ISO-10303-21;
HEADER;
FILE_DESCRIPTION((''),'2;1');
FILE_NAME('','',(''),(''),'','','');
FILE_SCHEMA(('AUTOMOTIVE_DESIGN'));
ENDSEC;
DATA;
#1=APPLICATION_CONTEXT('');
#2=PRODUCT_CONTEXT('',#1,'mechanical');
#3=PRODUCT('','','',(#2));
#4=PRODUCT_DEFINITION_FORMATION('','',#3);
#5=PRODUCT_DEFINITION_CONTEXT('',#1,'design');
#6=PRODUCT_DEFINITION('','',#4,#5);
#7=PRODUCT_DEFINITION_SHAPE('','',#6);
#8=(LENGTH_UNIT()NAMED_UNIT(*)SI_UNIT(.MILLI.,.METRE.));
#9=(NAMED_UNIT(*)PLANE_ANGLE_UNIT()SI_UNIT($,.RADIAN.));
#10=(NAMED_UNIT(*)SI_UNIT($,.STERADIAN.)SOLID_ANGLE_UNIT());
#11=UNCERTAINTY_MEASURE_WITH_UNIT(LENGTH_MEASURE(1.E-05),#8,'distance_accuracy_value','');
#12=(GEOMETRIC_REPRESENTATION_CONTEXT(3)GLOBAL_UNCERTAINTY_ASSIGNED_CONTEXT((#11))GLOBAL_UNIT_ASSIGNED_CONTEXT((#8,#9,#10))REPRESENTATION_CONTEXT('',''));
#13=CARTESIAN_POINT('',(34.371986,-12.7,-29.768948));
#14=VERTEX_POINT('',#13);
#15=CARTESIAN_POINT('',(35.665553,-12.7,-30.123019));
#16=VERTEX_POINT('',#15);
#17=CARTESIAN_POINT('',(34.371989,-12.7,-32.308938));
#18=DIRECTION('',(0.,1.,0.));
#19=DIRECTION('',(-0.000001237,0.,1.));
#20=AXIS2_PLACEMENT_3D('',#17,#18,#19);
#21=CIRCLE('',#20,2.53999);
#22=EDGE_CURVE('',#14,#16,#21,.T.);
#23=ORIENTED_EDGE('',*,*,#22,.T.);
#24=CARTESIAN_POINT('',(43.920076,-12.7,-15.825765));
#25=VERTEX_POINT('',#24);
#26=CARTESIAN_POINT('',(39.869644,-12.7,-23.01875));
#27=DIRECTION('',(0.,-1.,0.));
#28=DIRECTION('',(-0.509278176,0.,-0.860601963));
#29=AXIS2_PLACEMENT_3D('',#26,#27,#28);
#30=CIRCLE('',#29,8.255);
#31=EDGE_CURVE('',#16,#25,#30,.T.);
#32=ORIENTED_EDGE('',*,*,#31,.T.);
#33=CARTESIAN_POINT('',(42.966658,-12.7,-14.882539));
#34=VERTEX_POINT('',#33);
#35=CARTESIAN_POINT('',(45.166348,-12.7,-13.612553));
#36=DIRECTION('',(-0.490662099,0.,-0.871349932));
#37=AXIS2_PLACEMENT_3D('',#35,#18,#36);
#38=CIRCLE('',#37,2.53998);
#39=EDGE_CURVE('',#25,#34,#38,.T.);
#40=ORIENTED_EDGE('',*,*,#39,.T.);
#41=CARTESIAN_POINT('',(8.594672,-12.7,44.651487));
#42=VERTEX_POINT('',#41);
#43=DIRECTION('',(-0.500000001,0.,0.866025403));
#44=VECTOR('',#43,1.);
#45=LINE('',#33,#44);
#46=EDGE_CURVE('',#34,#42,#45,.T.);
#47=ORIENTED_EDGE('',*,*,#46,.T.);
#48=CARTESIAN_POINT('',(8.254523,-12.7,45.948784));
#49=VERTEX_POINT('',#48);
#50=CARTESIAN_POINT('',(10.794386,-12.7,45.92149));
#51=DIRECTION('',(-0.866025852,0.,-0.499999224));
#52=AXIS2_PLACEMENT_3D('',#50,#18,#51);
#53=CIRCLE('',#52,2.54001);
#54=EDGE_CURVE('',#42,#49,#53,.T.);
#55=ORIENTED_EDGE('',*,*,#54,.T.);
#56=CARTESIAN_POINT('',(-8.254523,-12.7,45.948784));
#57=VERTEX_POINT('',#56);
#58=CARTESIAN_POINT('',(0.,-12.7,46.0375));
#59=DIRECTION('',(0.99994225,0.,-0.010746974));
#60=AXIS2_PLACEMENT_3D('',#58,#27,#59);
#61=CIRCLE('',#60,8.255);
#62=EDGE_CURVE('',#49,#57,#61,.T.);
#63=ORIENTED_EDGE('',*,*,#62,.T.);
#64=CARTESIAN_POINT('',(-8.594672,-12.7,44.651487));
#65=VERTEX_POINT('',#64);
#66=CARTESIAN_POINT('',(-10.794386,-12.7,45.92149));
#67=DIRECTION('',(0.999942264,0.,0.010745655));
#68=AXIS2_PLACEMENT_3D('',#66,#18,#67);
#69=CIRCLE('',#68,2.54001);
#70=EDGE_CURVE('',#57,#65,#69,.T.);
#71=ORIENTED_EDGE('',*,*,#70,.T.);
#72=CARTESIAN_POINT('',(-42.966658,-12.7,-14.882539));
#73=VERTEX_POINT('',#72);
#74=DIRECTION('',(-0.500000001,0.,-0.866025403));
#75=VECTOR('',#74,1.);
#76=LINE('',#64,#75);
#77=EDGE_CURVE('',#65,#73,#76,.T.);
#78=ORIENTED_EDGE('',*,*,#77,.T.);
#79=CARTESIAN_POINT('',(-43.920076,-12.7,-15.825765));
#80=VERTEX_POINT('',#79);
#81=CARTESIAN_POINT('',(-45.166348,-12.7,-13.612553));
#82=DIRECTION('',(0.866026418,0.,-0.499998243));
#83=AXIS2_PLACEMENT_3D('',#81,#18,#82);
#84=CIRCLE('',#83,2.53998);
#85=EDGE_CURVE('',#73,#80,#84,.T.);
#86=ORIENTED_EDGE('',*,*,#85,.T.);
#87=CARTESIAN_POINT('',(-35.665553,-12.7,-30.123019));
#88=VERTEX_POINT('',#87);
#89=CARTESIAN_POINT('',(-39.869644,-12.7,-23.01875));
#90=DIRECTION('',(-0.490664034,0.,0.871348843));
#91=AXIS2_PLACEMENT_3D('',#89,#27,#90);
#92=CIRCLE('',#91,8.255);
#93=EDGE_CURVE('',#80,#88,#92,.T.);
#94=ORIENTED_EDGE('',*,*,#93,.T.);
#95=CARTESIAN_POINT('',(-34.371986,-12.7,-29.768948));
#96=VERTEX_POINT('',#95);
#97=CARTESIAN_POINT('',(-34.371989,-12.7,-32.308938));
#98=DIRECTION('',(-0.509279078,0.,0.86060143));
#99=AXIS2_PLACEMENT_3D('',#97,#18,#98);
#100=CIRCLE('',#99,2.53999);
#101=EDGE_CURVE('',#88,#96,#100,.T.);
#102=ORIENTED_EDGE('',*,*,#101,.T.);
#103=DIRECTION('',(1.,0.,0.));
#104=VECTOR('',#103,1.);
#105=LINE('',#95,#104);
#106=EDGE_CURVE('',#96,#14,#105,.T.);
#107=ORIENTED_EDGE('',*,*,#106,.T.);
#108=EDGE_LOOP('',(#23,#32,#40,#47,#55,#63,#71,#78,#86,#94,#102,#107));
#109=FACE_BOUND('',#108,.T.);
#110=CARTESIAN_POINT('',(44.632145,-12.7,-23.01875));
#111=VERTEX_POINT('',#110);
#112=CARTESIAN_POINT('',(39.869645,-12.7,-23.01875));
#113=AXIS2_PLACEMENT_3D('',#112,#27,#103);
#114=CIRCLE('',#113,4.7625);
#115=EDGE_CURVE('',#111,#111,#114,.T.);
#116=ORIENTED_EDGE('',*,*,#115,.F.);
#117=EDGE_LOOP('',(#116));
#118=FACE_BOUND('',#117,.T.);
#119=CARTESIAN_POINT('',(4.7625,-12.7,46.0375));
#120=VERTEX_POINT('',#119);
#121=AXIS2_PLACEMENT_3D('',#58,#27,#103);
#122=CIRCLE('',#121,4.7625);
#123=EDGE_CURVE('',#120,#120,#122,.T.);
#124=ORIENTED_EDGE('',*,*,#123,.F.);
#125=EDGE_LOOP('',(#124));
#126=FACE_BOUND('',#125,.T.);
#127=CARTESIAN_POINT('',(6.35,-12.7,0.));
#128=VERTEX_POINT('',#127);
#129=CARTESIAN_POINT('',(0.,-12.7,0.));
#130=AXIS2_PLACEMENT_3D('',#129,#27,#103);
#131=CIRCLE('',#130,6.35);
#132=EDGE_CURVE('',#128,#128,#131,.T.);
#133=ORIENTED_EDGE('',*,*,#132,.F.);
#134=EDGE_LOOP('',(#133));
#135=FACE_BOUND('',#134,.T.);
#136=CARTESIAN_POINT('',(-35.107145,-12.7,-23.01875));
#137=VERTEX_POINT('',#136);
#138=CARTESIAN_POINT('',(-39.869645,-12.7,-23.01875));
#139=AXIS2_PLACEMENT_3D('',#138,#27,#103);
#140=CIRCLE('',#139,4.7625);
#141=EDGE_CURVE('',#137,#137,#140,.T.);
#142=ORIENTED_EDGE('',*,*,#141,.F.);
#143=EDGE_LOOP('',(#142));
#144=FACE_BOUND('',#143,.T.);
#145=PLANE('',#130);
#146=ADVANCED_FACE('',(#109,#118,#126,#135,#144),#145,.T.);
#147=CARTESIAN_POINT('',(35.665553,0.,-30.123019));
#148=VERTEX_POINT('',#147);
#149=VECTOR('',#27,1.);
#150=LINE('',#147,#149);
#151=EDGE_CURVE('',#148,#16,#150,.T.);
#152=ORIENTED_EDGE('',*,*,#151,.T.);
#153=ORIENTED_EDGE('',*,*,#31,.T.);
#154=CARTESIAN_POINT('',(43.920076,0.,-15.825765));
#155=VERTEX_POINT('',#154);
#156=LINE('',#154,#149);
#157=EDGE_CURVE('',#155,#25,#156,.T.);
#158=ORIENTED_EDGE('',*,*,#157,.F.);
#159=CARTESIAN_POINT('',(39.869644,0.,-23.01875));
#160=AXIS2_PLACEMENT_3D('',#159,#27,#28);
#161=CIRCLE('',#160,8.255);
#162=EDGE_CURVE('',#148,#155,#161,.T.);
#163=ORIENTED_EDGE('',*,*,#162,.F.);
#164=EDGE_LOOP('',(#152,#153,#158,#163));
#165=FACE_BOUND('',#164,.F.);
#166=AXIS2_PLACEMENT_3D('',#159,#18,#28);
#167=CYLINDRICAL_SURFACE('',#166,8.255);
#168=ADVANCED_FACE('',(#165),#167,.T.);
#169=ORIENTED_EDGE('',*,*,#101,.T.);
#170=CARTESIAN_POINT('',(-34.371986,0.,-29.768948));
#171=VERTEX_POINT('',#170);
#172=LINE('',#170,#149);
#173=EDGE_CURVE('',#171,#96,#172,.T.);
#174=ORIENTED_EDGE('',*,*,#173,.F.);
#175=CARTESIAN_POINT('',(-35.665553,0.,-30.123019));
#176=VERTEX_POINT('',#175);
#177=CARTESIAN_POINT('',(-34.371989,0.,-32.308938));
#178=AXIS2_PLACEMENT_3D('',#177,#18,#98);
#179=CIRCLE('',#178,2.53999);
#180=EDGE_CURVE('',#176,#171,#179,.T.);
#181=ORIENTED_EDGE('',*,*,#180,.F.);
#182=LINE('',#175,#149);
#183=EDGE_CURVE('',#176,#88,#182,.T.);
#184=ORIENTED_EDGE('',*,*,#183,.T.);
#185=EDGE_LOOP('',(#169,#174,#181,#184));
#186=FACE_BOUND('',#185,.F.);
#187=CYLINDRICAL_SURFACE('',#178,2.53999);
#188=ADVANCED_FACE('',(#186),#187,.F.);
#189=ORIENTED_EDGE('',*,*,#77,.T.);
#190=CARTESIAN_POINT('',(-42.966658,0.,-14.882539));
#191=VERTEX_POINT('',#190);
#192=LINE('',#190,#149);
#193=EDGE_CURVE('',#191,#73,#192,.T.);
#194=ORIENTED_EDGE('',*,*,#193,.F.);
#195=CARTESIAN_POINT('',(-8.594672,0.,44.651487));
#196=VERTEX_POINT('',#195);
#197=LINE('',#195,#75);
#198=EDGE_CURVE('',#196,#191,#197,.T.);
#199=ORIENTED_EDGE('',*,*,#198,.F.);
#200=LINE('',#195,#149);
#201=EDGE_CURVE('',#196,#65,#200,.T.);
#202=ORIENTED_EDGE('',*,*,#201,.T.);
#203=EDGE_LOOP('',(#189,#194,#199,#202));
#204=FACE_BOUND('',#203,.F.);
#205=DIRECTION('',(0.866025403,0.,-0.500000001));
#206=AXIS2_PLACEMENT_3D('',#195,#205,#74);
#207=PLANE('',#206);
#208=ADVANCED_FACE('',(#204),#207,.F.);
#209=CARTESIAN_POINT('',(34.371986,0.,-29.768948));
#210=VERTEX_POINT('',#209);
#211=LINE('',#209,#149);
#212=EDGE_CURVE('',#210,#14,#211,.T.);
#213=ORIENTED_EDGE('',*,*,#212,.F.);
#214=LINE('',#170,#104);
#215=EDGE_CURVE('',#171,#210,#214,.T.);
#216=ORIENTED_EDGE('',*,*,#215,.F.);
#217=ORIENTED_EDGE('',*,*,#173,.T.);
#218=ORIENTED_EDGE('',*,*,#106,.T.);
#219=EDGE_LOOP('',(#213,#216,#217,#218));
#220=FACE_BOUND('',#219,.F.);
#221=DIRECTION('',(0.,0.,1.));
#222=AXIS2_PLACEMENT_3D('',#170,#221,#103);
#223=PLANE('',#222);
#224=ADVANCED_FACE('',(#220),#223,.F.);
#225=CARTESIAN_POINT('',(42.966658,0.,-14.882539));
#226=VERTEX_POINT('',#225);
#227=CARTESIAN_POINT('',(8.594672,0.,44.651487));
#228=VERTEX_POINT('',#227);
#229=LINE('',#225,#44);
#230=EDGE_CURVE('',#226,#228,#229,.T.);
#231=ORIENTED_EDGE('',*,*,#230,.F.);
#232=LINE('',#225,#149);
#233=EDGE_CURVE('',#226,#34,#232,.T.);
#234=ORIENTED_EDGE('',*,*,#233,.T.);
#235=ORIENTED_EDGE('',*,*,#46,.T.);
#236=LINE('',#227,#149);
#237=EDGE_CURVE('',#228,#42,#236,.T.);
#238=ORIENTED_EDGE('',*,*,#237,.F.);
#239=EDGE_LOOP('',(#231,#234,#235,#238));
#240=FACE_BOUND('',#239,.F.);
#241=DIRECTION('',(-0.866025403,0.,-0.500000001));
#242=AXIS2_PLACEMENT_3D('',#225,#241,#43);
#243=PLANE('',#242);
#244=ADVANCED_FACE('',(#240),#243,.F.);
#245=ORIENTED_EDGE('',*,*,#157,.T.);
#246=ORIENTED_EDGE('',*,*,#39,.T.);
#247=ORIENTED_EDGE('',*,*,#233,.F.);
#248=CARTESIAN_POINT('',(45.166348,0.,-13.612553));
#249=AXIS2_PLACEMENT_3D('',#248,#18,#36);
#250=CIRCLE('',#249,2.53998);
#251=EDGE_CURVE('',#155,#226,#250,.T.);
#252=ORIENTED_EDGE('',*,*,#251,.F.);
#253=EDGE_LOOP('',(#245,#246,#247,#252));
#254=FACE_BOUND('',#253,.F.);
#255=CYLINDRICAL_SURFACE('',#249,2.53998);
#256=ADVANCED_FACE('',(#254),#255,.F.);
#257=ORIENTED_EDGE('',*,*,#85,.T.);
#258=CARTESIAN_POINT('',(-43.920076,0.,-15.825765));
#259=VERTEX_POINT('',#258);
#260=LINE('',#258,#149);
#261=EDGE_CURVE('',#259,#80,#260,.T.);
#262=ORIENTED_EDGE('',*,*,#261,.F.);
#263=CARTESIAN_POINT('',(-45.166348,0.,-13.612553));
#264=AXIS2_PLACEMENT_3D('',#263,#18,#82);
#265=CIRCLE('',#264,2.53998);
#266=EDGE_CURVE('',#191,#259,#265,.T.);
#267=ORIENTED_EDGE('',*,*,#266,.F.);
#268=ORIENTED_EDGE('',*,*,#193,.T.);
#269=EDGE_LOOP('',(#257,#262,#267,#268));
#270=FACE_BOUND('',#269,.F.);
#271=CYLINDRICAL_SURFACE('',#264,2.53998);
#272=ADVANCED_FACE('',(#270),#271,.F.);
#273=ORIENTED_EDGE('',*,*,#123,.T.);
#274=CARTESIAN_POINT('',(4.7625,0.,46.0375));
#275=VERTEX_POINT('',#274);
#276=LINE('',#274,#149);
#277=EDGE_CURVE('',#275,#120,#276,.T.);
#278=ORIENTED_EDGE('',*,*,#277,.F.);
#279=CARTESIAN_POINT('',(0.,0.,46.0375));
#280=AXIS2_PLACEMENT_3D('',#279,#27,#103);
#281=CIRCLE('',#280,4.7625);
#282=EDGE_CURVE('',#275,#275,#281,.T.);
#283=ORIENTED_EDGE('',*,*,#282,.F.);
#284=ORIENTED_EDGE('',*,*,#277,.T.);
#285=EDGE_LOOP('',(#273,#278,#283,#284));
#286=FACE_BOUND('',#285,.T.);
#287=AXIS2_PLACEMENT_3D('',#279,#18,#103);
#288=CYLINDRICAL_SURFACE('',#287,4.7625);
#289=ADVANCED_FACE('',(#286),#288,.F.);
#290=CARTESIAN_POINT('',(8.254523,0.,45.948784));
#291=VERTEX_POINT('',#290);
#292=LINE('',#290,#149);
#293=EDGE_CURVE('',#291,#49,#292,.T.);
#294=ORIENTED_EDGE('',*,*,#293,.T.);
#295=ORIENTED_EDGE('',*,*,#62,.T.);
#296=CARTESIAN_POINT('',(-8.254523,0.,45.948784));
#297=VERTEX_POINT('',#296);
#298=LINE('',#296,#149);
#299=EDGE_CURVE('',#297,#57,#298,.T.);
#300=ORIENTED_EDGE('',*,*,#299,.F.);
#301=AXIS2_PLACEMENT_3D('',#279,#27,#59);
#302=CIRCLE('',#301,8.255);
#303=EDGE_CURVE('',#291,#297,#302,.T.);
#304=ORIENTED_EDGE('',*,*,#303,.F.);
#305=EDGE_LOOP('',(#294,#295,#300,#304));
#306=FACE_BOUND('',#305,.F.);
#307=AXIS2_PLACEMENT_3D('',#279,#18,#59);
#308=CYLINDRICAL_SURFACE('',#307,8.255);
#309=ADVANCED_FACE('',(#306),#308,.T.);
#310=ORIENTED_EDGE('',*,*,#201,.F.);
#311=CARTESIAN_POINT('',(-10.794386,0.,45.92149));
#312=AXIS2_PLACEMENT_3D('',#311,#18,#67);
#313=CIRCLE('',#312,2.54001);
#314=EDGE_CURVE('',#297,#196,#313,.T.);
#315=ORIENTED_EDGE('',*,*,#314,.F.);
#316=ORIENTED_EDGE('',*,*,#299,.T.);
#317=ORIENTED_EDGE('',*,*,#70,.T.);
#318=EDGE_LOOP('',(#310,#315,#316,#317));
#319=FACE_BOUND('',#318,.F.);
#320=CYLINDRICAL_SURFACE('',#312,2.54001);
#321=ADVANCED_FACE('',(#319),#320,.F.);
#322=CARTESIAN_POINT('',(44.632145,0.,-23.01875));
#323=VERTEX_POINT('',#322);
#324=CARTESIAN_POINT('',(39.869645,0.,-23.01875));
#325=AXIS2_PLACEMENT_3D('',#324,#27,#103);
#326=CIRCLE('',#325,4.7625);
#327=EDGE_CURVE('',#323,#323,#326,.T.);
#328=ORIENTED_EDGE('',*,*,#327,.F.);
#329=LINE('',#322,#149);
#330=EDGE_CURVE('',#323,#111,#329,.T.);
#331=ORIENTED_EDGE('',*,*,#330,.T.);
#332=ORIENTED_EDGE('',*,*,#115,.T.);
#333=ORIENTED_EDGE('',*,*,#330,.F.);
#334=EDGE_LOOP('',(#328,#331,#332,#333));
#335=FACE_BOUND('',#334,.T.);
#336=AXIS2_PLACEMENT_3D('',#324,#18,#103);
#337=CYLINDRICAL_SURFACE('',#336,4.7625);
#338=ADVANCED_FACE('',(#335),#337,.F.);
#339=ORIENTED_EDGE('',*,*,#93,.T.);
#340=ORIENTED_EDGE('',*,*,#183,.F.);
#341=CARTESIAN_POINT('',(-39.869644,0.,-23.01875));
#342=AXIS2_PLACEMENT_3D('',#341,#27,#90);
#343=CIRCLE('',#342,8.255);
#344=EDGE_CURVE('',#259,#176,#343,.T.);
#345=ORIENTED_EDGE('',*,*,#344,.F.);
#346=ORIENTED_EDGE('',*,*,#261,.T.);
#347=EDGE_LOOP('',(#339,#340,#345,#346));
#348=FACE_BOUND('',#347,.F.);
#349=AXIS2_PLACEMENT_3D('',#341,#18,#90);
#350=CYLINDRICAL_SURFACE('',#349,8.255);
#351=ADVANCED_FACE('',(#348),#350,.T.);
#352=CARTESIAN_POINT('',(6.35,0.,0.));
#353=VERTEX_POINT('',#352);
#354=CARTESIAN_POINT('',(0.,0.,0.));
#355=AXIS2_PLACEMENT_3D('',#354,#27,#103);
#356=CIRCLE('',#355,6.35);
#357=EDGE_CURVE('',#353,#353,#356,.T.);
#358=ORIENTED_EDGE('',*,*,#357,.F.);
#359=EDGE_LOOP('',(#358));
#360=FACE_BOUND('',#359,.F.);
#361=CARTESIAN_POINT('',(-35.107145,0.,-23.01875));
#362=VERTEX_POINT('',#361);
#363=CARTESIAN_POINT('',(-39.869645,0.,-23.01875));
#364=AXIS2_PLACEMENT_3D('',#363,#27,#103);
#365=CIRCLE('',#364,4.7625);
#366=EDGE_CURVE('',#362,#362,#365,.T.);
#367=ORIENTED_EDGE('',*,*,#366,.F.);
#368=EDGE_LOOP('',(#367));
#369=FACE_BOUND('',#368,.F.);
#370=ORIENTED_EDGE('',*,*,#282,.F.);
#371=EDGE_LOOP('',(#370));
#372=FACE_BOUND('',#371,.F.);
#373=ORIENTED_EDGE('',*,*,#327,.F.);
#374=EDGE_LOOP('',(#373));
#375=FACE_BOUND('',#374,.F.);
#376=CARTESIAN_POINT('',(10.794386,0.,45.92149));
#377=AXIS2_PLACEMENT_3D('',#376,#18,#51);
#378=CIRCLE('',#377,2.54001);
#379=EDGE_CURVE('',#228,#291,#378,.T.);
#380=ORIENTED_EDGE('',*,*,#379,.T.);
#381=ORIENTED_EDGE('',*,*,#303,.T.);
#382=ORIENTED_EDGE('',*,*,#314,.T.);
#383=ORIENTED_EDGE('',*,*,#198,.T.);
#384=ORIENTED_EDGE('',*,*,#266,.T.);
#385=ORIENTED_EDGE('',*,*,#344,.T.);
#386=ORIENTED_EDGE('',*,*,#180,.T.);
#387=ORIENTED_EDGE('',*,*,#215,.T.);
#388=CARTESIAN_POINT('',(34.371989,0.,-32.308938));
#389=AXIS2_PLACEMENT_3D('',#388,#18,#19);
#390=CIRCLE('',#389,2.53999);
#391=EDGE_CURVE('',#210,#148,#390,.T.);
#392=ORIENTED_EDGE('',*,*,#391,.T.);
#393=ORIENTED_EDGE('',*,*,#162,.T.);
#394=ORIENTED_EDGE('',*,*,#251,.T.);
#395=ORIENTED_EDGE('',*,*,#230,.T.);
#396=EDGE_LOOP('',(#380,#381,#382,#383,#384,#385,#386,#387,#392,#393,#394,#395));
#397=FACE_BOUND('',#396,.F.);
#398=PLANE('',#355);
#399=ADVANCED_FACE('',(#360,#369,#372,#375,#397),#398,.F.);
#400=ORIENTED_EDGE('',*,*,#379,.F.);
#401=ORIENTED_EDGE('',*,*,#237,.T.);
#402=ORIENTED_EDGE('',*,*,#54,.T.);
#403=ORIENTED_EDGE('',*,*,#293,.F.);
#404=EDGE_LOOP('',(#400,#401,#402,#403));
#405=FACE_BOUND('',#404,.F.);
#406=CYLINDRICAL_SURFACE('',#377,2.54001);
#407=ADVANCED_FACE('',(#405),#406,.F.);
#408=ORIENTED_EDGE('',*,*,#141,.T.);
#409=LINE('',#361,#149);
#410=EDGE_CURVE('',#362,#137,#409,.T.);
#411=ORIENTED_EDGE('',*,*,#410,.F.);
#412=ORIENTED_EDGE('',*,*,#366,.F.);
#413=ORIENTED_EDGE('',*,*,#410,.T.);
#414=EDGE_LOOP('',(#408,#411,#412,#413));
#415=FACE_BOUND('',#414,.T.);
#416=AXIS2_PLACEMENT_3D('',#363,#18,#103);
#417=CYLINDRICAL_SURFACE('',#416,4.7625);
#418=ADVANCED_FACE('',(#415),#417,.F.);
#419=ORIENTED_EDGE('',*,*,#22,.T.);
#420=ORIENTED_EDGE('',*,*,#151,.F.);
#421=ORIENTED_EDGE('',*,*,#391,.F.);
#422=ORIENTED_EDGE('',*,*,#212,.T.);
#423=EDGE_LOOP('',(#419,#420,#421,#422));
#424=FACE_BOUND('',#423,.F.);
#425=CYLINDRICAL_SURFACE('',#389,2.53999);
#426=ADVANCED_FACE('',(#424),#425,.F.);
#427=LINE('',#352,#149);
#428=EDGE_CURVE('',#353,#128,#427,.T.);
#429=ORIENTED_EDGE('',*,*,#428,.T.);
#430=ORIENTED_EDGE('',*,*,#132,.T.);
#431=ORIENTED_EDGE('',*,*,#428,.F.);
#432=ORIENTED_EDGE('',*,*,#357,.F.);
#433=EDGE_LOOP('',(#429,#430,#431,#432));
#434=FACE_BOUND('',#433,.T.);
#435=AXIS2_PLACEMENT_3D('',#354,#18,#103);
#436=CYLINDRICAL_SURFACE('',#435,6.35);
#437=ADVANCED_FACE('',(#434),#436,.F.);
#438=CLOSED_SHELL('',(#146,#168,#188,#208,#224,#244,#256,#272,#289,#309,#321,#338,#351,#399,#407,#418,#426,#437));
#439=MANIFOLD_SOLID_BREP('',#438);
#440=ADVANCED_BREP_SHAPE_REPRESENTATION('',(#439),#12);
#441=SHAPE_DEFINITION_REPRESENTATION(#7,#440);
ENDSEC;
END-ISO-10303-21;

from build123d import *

# Parameters (mm, degrees)
F0_R     = 4.7625
F0_R_2   = 6.35
F1_DEPTH = 12.7


with BuildPart() as f1:
    # F0 (on Front) → F1 (new body)
    with BuildSketch(Plane.XZ):
        with BuildLine():
            ThreePointArc((8.594672, 44.651487), (8.337428, 45.27728), (8.254523, 45.948784))
            ThreePointArc((8.254523, 45.948784), (0, 54.2925), (-8.254523, 45.948784))
            ThreePointArc((-8.254523, 45.948784), (-8.337428, 45.27728), (-8.594672, 44.651487))
            Line((-8.594672, 44.651487), (-42.966658, -14.882539))
            ThreePointArc((-42.966658, -14.882539), (-43.379988, -15.418216), (-43.920076, -15.825765))
            ThreePointArc((-43.920076, -15.825765), (-47.018684, -27.14625), (-35.665553, -30.123019))
            ThreePointArc((-35.665553, -30.123019), (-35.042561, -29.859064), (-34.371986, -29.768948))
            Line((-34.371986, -29.768948), (34.371986, -29.768948))
            ThreePointArc((34.371986, -29.768948), (35.042561, -29.859064), (35.665553, -30.123019))
            ThreePointArc((35.665553, -30.123019), (47.018684, -27.14625), (43.920076, -15.825765))
            ThreePointArc((43.920076, -15.825765), (43.379988, -15.418216), (42.966658, -14.882539))
            Line((42.966658, -14.882539), (8.594672, 44.651487))
        make_face()
        with Locations((-39.869645, -23.01875)):
            Circle(F0_R, mode=Mode.SUBTRACT)
        with Locations((39.869645, -23.01875)):
            Circle(F0_R, mode=Mode.SUBTRACT)
        Circle(F0_R_2, mode=Mode.SUBTRACT)
        with Locations((0, 46.0375)):
            Circle(F0_R, mode=Mode.SUBTRACT)
    extrude(amount=F1_DEPTH)


solid = f1.part
